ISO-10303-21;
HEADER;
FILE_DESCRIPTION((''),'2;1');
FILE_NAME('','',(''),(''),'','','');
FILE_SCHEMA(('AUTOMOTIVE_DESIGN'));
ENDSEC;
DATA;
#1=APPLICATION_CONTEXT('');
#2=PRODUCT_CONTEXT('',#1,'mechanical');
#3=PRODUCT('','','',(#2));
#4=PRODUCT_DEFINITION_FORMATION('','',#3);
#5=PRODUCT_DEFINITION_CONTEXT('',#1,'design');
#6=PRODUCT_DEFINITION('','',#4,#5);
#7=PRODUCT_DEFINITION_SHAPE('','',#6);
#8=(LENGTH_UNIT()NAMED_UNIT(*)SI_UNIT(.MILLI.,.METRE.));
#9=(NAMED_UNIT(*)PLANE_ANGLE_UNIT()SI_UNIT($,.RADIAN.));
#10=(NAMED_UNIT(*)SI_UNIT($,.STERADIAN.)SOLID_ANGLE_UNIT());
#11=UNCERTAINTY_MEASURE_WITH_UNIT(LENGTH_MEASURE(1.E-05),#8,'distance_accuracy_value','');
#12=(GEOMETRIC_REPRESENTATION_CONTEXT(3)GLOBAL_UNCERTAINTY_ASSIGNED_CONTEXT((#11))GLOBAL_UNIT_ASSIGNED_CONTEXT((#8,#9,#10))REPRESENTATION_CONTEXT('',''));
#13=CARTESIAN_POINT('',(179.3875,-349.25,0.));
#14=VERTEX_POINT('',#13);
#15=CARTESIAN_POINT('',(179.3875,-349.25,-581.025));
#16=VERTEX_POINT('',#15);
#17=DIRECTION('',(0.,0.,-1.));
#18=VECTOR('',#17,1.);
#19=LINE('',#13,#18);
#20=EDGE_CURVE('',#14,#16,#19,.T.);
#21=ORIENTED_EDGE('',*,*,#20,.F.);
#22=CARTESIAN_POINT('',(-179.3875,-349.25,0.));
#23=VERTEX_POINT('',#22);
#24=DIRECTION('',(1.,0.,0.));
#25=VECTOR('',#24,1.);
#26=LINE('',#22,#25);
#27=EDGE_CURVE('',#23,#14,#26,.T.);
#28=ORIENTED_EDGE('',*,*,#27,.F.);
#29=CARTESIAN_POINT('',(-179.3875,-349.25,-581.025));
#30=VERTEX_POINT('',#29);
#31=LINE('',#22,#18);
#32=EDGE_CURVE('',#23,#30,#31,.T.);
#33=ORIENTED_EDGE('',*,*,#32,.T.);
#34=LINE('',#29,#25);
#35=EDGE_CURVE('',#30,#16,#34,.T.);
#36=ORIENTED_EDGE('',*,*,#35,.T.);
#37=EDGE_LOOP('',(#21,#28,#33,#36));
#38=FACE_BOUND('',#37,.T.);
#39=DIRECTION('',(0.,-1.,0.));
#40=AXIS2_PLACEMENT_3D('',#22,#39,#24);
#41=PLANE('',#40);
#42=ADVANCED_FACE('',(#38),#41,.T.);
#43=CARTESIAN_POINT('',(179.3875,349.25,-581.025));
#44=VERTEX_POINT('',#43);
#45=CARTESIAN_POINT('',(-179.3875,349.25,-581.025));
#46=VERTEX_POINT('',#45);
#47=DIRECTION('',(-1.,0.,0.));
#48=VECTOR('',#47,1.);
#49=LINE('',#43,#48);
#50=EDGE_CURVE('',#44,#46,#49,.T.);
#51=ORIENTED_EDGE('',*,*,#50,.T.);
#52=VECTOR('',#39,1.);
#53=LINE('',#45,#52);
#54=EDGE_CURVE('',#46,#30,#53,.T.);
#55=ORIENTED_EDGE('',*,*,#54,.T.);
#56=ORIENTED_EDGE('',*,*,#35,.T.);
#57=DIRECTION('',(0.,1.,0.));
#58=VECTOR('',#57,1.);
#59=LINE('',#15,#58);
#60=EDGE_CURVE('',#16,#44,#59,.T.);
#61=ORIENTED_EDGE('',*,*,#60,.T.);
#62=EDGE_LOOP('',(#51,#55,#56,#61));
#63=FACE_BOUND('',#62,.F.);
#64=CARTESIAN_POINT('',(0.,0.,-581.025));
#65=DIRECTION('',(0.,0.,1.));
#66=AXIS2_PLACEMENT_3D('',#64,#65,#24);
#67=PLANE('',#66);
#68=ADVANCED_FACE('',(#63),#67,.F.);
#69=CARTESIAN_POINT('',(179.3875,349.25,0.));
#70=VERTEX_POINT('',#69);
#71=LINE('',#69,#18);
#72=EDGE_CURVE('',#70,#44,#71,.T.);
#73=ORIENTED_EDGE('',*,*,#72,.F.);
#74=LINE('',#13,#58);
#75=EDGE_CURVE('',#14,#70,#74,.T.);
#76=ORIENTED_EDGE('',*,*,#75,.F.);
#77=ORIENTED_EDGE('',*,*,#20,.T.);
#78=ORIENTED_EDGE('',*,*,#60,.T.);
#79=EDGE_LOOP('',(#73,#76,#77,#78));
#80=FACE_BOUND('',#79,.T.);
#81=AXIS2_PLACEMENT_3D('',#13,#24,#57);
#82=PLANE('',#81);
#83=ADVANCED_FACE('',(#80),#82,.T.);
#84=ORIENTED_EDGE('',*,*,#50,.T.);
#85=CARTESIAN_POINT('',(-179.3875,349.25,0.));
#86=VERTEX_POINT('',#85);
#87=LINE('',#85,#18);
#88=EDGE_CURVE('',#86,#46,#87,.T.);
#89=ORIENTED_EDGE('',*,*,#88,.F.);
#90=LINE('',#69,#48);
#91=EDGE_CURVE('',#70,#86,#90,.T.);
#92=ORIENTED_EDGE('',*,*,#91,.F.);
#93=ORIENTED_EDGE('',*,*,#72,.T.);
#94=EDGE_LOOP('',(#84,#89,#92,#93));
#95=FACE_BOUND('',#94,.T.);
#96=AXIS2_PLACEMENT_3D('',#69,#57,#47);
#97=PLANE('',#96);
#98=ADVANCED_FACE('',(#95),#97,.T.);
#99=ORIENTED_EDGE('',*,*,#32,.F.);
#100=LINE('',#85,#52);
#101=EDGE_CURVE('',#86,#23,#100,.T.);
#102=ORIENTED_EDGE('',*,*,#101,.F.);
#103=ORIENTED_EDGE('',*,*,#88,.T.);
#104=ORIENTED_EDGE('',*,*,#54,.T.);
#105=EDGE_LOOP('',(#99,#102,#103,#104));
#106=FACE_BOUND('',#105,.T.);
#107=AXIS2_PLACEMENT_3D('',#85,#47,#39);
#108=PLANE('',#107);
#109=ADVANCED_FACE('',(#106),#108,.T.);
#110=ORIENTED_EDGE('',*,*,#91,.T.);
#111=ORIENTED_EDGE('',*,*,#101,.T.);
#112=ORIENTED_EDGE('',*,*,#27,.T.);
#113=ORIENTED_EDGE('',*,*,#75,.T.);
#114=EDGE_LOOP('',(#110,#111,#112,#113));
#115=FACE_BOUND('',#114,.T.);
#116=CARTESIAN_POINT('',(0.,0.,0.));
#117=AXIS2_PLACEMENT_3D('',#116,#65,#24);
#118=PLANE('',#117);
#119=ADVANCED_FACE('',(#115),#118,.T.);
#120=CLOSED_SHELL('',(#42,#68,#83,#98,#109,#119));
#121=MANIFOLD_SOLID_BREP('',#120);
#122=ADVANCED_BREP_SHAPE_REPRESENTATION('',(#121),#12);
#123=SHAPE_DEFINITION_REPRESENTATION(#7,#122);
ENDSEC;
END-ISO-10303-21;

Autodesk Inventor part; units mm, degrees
ref_plane "YZ Plane" through (0, 0, 0) normal (1, 0, 0) x (0, 1, 0)
ref_plane "XZ Plane" through (0, 0, 0) normal (0, 1, 0) x (-1, 0, 0)
ref_plane "XY Plane" through (0, 0, 0) normal (0, 0, 1) x (1, 0, 0)
sketch "Sketch1" plane through (0, 0, 0) normal (0, 0, 1) x (1, 0, 0)
  line L0 (-179.3875, -349.25) -> (179.3875, -349.25)
  line L1 (179.3875, -349.25) -> (179.3875, 349.25)
  line L2 (179.3875, 349.25) -> (-179.3875, 349.25)
  line L3 (-179.3875, 349.25) -> (-179.3875, -349.25)
  line L4 (-179.3875, -349.25) -> (179.3875, 349.25) construction
  line L5 (179.3875, -349.25) -> (-179.3875, 349.25) construction
  point P0 (0, 0)
  dimension "d0" = 698.5
  dimension "d1" = 358.775
extrude "Extrusion1" add sketch "Sketch1" against normal blind 581.025
sketch "Sketch2" plane through (0, 0, 0) normal (0, 0, 1) x (1, 0, 0)
  line L0 (-148.6954, -242.9179) -> (131.0034, 380.0218) construction
  line L1 (131.0034, 380.0218) -> (207.4732, 345.6869) construction
  line L2 (207.4732, 345.6869) -> (-72.2256, -277.2527) construction
  line L3 (-72.2256, -277.2527) -> (-148.6954, -242.9179) construction
  point P0 (0, 0)
equation "\"d0\" = drawer_height"
equation "\"d1\" = drawer_width"
equation "\"d2\" = drawer_length"
equation "\"drawer_length\" = 581.025"
equation "\"drawer_width\" = 358.775"
equation "\"drawer_height\" = 698.5"
properties part number "Desk Drawer"
